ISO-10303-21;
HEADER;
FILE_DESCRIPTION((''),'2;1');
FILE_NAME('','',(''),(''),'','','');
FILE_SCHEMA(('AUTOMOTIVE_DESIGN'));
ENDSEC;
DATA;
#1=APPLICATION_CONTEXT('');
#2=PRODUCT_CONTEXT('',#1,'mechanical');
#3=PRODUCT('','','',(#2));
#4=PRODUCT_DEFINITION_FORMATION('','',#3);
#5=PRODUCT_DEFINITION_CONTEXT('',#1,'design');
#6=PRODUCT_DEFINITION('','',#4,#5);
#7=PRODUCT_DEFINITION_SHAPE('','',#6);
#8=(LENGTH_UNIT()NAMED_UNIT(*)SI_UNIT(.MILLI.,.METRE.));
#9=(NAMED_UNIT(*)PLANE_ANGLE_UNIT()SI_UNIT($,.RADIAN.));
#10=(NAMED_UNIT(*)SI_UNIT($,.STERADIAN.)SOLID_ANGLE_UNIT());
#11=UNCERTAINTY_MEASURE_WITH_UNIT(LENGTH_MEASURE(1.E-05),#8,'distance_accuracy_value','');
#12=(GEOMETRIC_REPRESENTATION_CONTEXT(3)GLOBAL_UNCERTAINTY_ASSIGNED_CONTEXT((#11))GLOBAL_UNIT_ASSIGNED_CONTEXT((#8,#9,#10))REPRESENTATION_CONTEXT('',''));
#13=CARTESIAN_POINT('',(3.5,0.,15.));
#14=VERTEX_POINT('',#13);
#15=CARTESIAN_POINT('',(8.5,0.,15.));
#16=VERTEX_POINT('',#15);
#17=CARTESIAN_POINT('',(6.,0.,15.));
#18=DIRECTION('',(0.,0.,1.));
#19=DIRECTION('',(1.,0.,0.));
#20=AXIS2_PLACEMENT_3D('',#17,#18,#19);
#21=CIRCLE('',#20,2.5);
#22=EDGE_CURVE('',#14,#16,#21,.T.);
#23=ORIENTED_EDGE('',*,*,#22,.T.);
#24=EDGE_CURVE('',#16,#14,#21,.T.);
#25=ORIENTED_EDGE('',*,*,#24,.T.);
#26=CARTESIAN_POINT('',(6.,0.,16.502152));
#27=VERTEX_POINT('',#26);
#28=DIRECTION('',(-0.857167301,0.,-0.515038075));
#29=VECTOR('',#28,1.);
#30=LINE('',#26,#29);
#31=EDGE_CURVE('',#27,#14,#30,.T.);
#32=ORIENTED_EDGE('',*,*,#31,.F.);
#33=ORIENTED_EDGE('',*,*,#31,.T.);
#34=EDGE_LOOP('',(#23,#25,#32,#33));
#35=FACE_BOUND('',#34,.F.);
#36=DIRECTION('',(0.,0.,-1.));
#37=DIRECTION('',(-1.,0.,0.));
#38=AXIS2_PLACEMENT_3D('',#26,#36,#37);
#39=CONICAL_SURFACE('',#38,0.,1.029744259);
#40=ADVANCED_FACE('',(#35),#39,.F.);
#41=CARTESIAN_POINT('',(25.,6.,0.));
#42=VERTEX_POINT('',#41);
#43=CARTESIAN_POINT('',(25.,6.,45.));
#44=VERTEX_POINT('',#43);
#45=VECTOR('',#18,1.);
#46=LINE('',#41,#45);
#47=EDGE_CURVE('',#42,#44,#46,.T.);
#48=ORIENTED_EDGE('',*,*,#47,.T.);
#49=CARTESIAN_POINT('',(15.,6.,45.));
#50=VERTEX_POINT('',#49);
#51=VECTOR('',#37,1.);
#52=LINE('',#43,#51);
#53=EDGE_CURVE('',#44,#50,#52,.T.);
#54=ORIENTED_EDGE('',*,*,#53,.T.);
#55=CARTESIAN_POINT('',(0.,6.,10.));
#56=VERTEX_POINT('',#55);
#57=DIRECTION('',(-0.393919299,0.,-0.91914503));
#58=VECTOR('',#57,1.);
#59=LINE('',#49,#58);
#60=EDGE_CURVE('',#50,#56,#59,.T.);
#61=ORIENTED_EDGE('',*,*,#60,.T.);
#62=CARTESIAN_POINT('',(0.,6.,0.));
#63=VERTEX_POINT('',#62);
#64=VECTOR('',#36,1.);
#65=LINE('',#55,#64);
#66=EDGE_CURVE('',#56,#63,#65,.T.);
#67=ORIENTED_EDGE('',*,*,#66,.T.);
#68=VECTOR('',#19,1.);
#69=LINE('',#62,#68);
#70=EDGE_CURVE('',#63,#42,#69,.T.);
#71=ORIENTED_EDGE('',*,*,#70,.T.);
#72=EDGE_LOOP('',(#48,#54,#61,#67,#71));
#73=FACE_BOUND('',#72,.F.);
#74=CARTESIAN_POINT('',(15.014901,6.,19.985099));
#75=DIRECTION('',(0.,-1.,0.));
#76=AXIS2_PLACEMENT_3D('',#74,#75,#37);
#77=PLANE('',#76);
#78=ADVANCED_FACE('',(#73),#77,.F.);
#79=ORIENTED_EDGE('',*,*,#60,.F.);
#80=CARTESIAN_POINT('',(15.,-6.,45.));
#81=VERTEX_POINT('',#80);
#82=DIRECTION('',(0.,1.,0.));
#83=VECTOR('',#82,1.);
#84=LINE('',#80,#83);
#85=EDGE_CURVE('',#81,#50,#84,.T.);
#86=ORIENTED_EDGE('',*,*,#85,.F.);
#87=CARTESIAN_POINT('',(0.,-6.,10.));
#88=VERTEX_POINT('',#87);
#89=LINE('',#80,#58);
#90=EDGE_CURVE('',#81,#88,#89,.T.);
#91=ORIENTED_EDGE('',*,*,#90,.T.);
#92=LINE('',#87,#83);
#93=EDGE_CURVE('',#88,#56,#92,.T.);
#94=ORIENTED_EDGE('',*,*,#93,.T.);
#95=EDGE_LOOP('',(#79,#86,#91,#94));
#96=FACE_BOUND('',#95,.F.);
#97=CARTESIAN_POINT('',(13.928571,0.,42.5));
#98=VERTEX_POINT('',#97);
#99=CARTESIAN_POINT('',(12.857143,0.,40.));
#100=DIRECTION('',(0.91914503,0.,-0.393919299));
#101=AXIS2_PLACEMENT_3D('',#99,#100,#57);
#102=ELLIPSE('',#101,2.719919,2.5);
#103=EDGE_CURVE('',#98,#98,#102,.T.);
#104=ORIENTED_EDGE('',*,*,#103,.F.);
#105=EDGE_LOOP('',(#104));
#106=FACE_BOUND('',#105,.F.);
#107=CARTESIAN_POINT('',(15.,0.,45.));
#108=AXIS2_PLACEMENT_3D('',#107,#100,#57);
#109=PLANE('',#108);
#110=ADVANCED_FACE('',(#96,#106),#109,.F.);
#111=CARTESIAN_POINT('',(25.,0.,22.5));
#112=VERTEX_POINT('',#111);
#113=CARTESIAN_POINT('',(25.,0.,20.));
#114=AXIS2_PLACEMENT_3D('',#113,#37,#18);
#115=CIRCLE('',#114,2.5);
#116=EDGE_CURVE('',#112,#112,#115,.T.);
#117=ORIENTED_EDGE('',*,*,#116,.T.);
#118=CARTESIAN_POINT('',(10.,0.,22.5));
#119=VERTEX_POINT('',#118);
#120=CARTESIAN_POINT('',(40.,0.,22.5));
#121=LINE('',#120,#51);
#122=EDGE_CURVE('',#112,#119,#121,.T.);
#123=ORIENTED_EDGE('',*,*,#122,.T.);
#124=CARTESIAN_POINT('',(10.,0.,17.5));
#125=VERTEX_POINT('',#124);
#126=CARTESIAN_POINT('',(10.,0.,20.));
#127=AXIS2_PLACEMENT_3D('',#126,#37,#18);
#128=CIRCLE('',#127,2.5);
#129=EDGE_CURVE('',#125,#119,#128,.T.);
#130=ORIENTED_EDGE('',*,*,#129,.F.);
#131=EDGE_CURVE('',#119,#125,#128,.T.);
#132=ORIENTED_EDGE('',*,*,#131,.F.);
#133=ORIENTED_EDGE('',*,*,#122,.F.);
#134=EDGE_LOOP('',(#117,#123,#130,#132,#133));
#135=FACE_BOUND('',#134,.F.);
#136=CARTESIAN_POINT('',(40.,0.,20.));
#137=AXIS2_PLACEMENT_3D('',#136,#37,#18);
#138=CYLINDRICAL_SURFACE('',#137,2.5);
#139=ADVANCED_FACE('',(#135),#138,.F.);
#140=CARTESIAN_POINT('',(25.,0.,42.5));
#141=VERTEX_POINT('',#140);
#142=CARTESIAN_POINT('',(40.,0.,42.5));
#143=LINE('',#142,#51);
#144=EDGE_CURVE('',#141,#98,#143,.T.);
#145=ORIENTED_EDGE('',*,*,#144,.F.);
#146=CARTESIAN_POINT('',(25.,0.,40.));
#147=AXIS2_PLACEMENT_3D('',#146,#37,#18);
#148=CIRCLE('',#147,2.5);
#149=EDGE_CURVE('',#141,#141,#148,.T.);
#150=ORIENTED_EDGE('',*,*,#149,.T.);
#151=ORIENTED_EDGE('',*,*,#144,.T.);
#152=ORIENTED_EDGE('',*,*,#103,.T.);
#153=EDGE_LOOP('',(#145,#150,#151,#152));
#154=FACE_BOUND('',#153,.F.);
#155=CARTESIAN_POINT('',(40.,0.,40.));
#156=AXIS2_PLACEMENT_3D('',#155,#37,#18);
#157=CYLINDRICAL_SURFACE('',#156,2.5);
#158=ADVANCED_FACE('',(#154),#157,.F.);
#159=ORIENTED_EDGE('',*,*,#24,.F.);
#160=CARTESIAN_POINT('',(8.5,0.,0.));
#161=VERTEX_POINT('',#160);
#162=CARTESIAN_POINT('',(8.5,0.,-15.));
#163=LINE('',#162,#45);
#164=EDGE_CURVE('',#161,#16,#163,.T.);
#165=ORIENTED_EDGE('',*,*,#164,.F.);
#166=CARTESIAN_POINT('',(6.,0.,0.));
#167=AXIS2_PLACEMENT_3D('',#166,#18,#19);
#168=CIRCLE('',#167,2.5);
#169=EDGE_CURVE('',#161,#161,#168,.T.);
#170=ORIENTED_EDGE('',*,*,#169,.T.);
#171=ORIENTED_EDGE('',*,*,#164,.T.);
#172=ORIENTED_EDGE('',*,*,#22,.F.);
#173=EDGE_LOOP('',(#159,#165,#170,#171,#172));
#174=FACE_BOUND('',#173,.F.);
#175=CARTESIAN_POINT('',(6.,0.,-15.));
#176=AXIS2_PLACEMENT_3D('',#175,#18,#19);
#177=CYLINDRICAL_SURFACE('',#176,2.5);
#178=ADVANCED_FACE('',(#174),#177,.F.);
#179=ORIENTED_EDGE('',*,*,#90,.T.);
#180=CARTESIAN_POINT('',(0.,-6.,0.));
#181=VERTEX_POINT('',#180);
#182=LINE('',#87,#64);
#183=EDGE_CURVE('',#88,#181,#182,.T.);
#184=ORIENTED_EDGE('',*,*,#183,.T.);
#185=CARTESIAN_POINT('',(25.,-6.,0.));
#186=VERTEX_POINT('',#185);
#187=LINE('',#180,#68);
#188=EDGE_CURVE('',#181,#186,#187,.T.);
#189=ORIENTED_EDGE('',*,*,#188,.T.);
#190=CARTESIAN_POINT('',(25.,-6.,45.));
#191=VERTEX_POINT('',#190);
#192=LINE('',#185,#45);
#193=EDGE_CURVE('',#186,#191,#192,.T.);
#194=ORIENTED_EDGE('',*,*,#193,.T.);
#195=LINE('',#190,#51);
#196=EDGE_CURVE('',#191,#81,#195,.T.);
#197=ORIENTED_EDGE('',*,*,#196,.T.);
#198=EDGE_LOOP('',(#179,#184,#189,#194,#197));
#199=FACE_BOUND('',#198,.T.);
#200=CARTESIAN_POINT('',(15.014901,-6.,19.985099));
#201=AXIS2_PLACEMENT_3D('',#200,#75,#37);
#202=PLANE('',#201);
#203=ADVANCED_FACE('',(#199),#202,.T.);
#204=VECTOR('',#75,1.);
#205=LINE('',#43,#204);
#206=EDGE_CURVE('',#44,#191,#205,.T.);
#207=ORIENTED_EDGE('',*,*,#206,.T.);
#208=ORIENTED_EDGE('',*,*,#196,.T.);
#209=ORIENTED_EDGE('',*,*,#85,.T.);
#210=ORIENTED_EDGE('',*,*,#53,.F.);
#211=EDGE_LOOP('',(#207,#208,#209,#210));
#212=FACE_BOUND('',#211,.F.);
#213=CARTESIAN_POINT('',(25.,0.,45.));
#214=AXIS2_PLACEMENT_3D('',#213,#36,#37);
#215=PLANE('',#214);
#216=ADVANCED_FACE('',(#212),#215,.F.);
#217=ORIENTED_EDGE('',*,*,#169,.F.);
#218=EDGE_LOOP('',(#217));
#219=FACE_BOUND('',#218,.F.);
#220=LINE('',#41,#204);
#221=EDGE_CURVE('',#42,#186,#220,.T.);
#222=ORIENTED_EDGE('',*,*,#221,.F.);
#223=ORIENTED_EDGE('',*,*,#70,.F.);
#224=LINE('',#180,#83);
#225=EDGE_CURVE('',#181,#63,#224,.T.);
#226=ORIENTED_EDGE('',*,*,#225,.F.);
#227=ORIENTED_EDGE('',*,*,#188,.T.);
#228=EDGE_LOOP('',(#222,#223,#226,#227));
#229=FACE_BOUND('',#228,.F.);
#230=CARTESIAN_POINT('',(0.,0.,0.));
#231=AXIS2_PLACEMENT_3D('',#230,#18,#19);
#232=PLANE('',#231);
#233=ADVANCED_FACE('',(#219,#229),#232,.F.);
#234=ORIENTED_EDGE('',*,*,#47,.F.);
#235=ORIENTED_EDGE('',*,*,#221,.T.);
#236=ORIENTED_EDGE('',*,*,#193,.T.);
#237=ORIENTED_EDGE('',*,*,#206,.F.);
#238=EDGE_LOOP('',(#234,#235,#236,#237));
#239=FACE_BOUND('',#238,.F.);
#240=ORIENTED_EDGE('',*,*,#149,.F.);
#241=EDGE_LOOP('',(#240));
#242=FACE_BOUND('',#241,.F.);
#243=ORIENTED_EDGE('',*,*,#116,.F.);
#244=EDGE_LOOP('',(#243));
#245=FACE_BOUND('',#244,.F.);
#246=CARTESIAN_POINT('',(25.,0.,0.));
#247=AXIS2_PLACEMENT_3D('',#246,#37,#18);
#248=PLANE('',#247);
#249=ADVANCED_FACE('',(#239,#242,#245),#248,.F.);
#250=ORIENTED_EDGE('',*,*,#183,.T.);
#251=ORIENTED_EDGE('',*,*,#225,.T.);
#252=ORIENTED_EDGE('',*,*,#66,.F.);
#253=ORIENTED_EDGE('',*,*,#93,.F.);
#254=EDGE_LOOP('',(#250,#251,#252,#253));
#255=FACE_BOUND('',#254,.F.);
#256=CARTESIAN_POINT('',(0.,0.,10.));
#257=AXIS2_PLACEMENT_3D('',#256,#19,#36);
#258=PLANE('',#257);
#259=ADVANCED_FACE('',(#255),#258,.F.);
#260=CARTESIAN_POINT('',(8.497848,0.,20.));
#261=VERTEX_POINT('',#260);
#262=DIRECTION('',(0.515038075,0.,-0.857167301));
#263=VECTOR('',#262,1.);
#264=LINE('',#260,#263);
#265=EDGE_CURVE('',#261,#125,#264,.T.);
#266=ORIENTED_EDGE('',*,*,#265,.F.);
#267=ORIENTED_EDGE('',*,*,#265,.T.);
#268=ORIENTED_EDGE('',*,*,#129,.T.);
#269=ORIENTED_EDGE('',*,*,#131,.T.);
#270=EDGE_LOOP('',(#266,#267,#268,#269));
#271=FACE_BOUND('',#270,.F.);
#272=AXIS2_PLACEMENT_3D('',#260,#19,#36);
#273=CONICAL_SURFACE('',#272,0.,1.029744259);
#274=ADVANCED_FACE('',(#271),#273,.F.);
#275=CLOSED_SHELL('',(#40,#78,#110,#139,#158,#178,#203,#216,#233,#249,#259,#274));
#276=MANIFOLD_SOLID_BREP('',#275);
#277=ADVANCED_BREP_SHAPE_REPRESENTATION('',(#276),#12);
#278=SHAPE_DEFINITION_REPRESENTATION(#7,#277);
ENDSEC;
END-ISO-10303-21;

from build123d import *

# Parameters (mm, degrees)
EXTRUDE_1_DEPTH        = 6
HOLE_WIZARD_M6_2_D     = 5
HOLE_WIZARD_M6_2_DEPTH = 15
HOLE_WIZARD_M6_2_TIP   = 1.502151548
HOLE_WIZARD_M6_1_D     = 5
HOLE_WIZARD_M6_1_DEPTH = 15
HOLE_WIZARD_M6_1_TIP   = 1.502151548


with BuildPart() as part:
    # 草图1 → 凸台-拉伸1 (new, symmetric)
    with BuildSketch(Plane(origin=(0, 0, 0), x_dir=(1, 0, 0), z_dir=(0, 1, 0))):
        Polygon((0, 0), (25, 0), (25, -45), (15, -45), (0, -10), align=None)
    extrude(amount=EXTRUDE_1_DEPTH, both=True)

    # M6 螺纹孔2
    with Locations(Plane(origin=(25, 0, 0), x_dir=(0, 0, -1), z_dir=(1, 0, 0))):
        with Locations((-20, 0), (-40, 0)):
            Hole(HOLE_WIZARD_M6_2_D / 2, depth=HOLE_WIZARD_M6_2_DEPTH)
            with Locations((0, 0, -(HOLE_WIZARD_M6_2_DEPTH + HOLE_WIZARD_M6_2_TIP / 2))):  # 118° drill point
                Cone(0, HOLE_WIZARD_M6_2_D / 2, HOLE_WIZARD_M6_2_TIP, mode=Mode.SUBTRACT)

    # M6 螺纹孔1
    with Locations(Plane(origin=(0, 0, 0), x_dir=(-1, 0, 0), z_dir=(0, 0, -1))):
        with Locations((-6, 0)):
            Hole(HOLE_WIZARD_M6_1_D / 2, depth=HOLE_WIZARD_M6_1_DEPTH)
            with Locations((0, 0, -(HOLE_WIZARD_M6_1_DEPTH + HOLE_WIZARD_M6_1_TIP / 2))):  # 118° drill point
                Cone(0, HOLE_WIZARD_M6_1_D / 2, HOLE_WIZARD_M6_1_TIP, mode=Mode.SUBTRACT)


solid = part.part
